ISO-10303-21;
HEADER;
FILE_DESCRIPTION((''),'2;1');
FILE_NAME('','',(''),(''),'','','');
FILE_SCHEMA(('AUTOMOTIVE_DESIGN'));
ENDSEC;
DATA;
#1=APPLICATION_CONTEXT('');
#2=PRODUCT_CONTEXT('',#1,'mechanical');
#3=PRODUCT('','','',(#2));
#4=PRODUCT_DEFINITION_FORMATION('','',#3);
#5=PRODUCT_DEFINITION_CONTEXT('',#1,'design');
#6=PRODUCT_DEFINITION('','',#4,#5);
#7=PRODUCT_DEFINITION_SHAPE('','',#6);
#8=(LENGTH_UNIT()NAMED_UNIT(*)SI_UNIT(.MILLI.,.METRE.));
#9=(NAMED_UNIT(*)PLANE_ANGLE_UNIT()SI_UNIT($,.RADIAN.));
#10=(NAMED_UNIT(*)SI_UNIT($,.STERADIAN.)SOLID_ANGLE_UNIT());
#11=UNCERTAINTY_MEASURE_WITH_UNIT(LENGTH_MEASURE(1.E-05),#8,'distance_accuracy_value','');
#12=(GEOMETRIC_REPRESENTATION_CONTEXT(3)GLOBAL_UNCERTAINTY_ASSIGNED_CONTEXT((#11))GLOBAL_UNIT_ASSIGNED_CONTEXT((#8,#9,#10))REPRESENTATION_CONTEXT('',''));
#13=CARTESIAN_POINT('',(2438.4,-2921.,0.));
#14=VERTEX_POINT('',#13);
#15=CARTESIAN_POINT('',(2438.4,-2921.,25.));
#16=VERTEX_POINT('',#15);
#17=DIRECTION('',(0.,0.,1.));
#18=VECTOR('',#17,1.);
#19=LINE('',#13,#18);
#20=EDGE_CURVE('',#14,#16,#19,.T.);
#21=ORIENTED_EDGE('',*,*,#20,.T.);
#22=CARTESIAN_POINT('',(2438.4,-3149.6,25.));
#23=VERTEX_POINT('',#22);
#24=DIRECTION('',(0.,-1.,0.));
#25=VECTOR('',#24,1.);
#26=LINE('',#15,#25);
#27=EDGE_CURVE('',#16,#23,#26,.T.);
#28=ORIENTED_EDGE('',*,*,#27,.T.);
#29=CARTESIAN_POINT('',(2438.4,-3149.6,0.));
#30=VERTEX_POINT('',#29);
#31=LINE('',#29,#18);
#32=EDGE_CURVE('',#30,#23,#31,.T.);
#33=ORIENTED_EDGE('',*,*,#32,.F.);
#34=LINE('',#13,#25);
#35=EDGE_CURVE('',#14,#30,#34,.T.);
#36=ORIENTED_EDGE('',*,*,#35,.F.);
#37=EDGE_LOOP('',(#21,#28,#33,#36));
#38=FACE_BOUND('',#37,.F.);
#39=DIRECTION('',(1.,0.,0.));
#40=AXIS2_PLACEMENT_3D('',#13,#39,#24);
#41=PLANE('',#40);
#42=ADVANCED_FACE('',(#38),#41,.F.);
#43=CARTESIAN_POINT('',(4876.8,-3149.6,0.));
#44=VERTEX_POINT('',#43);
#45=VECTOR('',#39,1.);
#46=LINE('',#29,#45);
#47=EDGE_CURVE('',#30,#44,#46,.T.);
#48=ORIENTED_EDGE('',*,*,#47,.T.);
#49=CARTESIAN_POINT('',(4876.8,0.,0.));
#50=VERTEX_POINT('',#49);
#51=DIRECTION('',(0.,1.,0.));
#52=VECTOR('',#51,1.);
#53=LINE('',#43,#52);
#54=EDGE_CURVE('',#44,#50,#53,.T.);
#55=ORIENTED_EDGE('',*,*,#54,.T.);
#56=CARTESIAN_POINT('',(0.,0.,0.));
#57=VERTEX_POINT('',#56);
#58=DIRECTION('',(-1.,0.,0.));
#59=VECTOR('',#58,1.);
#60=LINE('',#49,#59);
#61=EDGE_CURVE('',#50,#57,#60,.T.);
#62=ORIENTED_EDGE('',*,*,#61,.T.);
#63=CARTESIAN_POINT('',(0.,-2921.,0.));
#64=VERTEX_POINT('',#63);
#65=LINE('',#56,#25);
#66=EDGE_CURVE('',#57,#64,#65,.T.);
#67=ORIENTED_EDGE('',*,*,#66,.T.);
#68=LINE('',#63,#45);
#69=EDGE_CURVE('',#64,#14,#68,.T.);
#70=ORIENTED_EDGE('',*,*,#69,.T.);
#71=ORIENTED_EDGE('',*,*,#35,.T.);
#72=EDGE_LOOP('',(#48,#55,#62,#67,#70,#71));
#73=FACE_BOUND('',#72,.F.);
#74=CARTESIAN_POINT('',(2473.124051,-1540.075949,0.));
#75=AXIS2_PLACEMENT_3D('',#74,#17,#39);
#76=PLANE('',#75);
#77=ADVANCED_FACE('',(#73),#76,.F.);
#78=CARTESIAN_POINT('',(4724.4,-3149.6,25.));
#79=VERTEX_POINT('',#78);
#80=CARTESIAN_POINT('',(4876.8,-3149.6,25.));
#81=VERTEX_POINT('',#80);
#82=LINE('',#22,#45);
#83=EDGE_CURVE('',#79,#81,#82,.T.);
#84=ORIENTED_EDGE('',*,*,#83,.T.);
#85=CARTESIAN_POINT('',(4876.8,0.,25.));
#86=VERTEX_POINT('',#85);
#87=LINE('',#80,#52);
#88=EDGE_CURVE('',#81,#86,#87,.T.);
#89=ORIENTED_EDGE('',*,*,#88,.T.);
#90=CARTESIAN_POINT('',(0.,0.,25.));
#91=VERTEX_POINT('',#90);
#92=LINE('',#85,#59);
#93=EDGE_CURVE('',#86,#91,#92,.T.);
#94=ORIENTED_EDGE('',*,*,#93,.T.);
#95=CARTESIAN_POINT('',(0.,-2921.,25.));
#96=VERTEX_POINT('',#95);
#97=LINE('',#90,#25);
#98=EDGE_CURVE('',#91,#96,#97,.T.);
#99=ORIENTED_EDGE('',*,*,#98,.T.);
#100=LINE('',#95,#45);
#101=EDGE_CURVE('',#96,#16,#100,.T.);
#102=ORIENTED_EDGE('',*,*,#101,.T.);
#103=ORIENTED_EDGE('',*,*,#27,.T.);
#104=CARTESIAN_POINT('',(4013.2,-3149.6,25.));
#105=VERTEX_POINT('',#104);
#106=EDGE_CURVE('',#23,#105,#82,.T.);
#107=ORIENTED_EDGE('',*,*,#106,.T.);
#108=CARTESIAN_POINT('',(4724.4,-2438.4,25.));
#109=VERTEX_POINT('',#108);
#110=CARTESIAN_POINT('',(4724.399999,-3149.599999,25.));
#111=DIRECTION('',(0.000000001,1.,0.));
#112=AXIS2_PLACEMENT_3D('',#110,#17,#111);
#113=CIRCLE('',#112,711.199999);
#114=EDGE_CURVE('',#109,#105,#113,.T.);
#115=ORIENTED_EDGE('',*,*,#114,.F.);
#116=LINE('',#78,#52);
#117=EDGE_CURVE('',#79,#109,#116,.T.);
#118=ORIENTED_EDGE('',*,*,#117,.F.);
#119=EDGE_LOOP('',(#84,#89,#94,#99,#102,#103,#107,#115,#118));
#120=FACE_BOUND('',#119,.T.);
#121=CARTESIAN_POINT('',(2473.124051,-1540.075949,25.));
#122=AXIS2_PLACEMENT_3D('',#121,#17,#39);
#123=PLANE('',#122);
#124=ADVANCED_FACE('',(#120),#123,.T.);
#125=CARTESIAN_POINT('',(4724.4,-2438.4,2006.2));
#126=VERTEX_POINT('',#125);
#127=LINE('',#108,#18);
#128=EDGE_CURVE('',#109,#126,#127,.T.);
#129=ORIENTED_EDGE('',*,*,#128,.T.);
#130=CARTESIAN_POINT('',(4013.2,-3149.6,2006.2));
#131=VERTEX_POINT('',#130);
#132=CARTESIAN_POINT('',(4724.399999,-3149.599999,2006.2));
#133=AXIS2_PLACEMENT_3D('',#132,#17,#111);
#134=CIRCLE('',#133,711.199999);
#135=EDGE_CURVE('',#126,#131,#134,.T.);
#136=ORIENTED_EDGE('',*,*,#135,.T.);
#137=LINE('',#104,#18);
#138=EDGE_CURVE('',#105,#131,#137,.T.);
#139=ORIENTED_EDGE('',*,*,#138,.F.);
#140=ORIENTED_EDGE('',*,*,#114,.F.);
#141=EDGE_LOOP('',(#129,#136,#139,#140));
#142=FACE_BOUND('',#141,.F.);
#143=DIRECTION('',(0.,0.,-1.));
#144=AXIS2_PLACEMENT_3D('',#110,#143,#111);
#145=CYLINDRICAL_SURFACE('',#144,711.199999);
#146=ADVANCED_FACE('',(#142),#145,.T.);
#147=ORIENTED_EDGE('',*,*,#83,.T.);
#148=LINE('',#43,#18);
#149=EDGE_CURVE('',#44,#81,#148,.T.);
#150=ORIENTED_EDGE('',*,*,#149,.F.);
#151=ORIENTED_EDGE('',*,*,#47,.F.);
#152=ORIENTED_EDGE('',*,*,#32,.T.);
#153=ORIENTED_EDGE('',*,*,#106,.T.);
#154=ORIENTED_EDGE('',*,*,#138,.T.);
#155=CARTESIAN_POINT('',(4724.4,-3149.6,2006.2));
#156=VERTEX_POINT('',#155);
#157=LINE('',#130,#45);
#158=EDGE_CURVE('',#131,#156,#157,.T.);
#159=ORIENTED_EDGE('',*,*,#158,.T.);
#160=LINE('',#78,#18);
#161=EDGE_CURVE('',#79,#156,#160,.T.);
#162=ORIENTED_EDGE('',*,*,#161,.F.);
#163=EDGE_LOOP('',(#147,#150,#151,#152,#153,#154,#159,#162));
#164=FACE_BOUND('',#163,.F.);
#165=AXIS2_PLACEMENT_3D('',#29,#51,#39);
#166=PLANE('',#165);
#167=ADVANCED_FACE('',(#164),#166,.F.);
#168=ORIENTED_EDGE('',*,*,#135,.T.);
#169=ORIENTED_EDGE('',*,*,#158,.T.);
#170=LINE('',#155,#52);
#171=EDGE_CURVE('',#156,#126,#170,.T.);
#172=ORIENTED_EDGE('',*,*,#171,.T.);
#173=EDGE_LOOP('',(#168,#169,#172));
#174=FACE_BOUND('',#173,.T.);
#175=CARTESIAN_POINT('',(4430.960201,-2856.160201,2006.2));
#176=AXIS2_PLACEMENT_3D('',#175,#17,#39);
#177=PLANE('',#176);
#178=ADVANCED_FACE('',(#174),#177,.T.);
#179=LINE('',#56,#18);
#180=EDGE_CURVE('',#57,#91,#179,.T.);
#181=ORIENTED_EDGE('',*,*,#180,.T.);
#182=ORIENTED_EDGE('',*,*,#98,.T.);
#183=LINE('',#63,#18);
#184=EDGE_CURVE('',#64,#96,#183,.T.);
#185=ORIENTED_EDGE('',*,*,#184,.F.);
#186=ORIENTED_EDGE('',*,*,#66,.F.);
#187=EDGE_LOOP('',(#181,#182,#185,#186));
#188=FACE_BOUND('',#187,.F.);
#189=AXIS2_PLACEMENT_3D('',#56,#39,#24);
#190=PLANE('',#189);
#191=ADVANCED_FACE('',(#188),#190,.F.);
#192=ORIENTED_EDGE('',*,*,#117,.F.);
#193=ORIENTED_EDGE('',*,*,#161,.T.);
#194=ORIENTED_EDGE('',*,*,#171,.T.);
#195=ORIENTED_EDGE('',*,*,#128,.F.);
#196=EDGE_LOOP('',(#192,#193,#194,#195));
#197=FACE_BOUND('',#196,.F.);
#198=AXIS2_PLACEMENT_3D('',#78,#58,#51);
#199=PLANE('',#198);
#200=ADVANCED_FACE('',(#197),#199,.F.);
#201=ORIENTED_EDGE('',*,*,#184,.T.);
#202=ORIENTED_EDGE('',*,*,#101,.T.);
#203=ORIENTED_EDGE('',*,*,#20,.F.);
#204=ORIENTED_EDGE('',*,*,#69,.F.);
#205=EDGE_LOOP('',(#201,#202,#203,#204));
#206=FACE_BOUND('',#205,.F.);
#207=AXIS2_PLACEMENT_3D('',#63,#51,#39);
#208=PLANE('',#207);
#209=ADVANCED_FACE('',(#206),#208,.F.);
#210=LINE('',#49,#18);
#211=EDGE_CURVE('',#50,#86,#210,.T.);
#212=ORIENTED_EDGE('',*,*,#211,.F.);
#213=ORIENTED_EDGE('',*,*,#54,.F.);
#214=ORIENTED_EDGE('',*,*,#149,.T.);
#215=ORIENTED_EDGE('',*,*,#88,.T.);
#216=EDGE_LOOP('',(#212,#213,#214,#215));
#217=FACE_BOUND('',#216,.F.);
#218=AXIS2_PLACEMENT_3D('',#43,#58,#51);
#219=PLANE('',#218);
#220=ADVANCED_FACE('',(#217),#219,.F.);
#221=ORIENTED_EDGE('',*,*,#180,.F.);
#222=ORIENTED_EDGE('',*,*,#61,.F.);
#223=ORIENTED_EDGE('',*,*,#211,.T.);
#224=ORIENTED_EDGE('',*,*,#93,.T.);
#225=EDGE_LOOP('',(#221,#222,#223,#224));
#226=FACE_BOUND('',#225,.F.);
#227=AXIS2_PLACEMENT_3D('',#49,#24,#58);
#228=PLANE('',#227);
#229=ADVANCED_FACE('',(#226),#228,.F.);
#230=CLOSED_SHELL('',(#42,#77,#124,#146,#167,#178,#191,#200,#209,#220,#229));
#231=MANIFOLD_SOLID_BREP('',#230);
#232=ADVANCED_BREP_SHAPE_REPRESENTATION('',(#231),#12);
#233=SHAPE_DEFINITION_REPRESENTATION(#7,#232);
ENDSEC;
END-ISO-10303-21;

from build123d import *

# Parameters (mm, degrees)
F1_DEPTH = 25
F3_DEPTH = 1981.2


with BuildPart() as f1:
    # F0 (on Top) → F1 (new body)
    with BuildSketch(Plane.XY):
        Polygon((4876.8, 0), (0, 0), (0, -2921), (2438.4, -2921), (2438.4, -3149.6), (4876.8, -3149.6), align=None)
    extrude(amount=F1_DEPTH)

    # F2 (on face) → F3 (join)
    with BuildSketch(Plane.XY.offset(25)):
        with BuildLine():
            Line((4013.2, -3149.6), (4724.4, -3149.6))
            Line((4724.4, -3149.6), (4724.4, -2438.4))
            ThreePointArc((4724.4, -2438.4), (4221.505657, -2646.705657), (4013.2, -3149.6))
        make_face()
    extrude(amount=F3_DEPTH)


solid = f1.part
